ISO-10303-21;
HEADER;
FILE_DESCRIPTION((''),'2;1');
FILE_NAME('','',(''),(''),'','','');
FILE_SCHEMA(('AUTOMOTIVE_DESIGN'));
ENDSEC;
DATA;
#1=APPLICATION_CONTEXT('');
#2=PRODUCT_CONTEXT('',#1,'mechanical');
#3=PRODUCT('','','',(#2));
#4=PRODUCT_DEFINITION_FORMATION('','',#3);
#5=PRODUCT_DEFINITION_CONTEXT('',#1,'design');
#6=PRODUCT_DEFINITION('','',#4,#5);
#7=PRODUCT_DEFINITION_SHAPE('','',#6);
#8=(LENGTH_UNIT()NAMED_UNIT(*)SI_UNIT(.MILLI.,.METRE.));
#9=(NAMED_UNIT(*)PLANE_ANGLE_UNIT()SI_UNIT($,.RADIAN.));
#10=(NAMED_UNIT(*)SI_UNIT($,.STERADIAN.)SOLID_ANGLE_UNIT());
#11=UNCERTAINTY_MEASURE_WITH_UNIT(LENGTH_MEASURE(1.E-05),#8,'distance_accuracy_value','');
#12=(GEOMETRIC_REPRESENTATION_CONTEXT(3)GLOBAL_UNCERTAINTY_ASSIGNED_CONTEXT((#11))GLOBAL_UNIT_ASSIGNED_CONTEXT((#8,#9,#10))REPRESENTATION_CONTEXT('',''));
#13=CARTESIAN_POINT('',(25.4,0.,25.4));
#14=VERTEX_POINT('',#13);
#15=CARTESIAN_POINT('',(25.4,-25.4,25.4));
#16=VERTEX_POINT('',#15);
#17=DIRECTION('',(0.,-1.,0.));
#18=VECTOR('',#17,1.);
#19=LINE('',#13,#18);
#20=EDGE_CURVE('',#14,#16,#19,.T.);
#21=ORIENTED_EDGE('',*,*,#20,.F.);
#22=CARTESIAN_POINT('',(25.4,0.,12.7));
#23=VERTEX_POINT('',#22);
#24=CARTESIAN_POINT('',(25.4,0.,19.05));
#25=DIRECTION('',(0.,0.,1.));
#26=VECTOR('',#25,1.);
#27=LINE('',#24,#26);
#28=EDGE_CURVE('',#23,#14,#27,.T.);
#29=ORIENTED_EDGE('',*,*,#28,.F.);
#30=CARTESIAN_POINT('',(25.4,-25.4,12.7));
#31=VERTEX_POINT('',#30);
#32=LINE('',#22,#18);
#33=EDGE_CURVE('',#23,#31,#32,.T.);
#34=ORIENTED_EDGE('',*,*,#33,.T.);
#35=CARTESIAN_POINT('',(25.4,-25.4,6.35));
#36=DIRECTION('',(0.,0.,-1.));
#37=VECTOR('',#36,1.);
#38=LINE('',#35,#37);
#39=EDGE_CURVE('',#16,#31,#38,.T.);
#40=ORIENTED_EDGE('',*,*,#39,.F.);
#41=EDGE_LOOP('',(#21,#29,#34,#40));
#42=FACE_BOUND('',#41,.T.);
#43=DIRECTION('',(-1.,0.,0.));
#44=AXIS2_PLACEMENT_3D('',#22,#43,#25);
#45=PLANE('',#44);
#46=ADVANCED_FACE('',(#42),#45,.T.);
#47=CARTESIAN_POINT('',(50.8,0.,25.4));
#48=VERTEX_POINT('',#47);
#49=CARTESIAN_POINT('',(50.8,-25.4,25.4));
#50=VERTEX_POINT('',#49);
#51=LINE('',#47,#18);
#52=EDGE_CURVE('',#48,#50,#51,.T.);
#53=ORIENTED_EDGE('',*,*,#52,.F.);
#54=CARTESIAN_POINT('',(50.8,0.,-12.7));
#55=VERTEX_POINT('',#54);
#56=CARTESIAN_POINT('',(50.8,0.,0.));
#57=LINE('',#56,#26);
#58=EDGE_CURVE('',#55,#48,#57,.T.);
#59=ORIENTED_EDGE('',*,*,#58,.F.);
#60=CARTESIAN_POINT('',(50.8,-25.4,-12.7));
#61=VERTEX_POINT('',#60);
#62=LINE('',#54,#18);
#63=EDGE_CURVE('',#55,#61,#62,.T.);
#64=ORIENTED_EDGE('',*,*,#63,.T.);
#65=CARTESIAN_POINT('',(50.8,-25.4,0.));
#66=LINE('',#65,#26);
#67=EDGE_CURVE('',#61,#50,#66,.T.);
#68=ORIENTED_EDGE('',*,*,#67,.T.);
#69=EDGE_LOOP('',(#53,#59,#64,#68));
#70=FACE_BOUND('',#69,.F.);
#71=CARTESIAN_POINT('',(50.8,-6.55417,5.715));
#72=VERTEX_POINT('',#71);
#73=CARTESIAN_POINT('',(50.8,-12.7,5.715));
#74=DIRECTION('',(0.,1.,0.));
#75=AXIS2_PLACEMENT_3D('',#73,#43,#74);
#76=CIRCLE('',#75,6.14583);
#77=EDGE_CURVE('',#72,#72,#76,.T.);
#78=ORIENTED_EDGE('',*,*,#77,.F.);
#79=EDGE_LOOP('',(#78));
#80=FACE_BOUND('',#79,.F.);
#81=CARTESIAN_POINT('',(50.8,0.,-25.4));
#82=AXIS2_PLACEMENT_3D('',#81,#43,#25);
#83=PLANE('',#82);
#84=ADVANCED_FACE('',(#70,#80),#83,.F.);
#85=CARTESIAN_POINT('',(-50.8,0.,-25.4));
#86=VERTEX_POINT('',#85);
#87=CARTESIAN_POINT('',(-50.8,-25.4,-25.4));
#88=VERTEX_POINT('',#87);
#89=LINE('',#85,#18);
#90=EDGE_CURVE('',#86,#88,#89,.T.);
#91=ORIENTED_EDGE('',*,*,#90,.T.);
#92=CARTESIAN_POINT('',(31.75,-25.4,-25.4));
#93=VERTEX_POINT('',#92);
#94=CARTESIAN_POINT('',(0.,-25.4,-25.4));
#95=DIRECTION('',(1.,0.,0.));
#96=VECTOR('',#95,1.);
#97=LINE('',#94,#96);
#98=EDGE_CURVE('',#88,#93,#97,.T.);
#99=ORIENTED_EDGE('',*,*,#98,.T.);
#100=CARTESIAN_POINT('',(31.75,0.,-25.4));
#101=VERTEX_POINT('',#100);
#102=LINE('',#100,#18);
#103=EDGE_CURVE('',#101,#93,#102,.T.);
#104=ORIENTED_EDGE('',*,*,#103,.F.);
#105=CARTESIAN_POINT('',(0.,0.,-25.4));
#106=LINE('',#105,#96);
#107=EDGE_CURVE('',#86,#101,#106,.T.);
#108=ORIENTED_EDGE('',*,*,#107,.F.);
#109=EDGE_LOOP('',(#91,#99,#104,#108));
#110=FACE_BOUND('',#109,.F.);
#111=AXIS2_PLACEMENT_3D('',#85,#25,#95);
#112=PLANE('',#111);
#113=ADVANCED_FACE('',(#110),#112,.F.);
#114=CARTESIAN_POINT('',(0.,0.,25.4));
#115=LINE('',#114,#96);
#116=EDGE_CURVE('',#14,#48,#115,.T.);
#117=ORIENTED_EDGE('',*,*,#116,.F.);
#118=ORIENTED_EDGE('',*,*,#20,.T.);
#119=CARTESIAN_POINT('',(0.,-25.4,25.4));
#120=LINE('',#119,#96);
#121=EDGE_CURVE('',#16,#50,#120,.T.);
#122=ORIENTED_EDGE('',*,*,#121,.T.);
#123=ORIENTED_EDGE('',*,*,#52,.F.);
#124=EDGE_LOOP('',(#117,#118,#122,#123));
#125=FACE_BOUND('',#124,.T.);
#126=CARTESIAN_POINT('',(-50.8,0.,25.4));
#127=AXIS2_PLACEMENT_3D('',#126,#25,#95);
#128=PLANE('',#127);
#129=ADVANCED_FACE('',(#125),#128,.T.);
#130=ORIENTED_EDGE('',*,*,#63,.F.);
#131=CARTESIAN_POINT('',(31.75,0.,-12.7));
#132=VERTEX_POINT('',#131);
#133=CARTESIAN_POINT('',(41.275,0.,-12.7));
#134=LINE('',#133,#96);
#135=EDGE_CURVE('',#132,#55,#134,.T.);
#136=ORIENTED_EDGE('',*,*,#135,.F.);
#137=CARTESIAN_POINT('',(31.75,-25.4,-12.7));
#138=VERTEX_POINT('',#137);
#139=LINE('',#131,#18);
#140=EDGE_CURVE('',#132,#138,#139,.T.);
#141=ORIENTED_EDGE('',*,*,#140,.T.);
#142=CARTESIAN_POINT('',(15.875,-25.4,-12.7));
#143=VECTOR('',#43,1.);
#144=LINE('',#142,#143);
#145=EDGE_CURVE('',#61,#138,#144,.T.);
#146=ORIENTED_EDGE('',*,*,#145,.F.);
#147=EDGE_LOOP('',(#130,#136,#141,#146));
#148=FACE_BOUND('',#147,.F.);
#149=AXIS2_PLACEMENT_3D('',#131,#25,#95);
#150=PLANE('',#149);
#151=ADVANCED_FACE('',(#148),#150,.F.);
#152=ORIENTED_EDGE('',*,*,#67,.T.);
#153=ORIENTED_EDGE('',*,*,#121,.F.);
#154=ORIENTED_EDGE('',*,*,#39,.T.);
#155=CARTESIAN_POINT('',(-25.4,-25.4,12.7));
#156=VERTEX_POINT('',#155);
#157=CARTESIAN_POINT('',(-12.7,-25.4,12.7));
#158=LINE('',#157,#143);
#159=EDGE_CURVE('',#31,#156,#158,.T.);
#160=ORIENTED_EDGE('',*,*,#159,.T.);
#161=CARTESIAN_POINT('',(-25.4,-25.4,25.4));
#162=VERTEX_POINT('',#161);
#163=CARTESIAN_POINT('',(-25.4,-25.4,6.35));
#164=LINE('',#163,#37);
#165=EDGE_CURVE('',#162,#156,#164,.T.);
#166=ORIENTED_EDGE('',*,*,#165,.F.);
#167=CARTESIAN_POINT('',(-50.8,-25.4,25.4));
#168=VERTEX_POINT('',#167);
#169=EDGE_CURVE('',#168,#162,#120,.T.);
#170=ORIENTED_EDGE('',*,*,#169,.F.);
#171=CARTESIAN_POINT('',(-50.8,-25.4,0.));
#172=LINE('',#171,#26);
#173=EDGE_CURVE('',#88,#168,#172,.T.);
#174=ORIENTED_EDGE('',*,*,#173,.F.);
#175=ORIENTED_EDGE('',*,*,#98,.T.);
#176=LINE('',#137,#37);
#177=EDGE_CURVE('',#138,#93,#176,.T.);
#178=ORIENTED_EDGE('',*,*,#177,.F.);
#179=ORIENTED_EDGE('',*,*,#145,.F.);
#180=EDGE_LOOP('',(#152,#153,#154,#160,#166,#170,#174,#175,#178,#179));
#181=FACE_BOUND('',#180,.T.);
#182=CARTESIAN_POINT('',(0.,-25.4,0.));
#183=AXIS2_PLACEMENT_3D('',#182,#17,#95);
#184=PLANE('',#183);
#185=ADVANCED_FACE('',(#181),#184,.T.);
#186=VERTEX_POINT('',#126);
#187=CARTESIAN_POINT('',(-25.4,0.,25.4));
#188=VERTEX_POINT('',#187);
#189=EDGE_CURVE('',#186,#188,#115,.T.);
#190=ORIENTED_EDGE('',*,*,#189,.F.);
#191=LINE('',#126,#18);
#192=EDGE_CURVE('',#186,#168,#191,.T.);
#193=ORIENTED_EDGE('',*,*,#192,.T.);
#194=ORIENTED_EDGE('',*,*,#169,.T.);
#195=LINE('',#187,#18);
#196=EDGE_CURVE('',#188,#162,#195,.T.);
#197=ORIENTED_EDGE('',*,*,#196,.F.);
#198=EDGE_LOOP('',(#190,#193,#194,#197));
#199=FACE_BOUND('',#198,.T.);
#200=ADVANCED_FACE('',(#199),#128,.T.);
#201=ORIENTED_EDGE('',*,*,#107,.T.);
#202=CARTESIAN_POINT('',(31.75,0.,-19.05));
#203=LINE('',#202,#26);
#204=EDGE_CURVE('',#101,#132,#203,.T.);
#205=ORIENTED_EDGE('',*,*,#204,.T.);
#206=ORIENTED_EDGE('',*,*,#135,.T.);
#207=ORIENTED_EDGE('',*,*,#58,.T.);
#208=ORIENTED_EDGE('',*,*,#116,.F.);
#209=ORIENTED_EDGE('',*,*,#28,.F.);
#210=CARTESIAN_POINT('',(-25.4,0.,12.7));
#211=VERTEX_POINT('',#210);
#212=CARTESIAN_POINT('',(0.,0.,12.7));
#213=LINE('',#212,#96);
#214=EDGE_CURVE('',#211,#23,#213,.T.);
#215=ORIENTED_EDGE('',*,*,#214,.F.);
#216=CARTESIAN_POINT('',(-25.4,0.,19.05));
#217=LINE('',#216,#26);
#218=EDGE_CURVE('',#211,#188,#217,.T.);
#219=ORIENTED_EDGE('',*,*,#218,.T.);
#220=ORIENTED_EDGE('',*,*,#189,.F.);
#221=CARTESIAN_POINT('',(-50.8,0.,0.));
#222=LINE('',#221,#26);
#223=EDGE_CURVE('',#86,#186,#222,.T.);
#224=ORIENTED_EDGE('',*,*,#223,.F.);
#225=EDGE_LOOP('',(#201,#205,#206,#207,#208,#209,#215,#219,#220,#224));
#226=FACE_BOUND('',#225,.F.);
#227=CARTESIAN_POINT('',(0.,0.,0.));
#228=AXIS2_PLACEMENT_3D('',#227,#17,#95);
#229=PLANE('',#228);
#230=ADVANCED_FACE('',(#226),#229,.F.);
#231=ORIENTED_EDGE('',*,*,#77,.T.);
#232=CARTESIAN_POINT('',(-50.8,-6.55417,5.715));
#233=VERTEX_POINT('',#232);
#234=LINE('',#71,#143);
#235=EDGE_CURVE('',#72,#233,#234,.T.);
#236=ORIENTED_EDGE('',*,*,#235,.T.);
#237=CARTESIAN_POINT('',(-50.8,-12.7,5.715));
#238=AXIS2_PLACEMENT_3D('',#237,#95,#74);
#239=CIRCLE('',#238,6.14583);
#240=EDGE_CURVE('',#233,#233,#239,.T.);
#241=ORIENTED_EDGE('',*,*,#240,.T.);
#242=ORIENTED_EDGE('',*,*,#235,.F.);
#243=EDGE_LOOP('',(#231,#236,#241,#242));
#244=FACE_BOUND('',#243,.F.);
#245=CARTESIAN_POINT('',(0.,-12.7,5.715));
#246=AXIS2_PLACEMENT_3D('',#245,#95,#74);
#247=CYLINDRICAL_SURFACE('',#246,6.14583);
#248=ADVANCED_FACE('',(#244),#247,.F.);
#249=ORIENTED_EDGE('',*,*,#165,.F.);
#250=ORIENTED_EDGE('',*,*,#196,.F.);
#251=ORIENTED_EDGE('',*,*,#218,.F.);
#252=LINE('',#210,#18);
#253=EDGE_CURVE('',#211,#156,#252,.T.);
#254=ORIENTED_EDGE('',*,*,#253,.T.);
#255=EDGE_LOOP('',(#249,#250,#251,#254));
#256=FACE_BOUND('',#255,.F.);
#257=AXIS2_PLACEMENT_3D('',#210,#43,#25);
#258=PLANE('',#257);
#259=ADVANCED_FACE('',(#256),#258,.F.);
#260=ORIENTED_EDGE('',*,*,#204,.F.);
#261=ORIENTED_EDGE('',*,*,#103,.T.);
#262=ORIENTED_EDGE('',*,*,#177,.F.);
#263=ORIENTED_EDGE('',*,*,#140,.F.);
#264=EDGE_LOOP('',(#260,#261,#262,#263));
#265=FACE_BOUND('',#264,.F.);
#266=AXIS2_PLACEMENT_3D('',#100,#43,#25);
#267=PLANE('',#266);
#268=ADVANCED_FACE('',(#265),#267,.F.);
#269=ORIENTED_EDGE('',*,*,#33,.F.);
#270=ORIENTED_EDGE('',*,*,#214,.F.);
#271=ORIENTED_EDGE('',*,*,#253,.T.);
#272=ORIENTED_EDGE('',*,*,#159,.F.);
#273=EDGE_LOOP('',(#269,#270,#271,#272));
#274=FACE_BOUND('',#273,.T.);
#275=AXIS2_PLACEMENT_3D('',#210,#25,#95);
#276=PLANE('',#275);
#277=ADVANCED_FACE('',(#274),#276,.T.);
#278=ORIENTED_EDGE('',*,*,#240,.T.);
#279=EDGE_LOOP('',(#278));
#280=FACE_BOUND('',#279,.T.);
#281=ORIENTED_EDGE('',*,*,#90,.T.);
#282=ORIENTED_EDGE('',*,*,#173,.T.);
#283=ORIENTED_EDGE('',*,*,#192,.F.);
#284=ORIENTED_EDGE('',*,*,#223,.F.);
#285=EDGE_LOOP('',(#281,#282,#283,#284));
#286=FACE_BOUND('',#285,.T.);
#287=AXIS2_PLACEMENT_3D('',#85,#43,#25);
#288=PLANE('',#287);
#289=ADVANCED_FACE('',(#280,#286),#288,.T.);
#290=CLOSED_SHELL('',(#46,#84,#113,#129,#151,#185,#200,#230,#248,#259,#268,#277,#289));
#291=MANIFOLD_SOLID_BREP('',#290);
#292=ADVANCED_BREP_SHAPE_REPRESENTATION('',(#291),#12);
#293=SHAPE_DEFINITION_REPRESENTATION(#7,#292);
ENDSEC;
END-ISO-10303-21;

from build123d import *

# Parameters (mm, degrees)
F0_W     = 101.6
F0_H     = 50.8
F1_DEPTH = 25.4
F2_W     = 50.8
F2_H     = 12.7
F3_DEPTH = 25.401
F4_W     = 19.05
F4_H     = 12.7
F5_DEPTH = 25.401
F6_R     = 6.14583
F7_DEPTH = 50.8
F8_DEPTH = 50.801


with BuildPart() as f1:
    # F0 (on Front) → F1 (new body)
    with BuildSketch(Plane.XZ):
        Rectangle(F0_W, F0_H)
    extrude(amount=F1_DEPTH)

    # F2 (on Front) → F3 (cut, through all)
    with BuildSketch(Plane.XZ):
        with Locations((0, 19.05)):
            Rectangle(F2_W, F2_H)
    extrude(amount=F3_DEPTH, mode=Mode.SUBTRACT)

    # F4 (on Front) → F5 (cut, through all)
    with BuildSketch(Plane.XZ):
        with Locations((41.275, -19.05)):
            Rectangle(F4_W, F4_H)
    extrude(amount=F5_DEPTH, mode=Mode.SUBTRACT)

    # F6 (on Right) → F7 (cut)
    with BuildSketch(Plane.YZ):
        with Locations((-12.7, 5.715)):
            Circle(F6_R)
    extrude(amount=-F7_DEPTH, mode=Mode.SUBTRACT)

    # F6 (on Right) → F8 (cut, through all)
    with BuildSketch(Plane.YZ):
        with Locations((-12.7, 5.715)):
            Circle(F6_R)
    extrude(amount=F8_DEPTH, mode=Mode.SUBTRACT)


solid = f1.part
